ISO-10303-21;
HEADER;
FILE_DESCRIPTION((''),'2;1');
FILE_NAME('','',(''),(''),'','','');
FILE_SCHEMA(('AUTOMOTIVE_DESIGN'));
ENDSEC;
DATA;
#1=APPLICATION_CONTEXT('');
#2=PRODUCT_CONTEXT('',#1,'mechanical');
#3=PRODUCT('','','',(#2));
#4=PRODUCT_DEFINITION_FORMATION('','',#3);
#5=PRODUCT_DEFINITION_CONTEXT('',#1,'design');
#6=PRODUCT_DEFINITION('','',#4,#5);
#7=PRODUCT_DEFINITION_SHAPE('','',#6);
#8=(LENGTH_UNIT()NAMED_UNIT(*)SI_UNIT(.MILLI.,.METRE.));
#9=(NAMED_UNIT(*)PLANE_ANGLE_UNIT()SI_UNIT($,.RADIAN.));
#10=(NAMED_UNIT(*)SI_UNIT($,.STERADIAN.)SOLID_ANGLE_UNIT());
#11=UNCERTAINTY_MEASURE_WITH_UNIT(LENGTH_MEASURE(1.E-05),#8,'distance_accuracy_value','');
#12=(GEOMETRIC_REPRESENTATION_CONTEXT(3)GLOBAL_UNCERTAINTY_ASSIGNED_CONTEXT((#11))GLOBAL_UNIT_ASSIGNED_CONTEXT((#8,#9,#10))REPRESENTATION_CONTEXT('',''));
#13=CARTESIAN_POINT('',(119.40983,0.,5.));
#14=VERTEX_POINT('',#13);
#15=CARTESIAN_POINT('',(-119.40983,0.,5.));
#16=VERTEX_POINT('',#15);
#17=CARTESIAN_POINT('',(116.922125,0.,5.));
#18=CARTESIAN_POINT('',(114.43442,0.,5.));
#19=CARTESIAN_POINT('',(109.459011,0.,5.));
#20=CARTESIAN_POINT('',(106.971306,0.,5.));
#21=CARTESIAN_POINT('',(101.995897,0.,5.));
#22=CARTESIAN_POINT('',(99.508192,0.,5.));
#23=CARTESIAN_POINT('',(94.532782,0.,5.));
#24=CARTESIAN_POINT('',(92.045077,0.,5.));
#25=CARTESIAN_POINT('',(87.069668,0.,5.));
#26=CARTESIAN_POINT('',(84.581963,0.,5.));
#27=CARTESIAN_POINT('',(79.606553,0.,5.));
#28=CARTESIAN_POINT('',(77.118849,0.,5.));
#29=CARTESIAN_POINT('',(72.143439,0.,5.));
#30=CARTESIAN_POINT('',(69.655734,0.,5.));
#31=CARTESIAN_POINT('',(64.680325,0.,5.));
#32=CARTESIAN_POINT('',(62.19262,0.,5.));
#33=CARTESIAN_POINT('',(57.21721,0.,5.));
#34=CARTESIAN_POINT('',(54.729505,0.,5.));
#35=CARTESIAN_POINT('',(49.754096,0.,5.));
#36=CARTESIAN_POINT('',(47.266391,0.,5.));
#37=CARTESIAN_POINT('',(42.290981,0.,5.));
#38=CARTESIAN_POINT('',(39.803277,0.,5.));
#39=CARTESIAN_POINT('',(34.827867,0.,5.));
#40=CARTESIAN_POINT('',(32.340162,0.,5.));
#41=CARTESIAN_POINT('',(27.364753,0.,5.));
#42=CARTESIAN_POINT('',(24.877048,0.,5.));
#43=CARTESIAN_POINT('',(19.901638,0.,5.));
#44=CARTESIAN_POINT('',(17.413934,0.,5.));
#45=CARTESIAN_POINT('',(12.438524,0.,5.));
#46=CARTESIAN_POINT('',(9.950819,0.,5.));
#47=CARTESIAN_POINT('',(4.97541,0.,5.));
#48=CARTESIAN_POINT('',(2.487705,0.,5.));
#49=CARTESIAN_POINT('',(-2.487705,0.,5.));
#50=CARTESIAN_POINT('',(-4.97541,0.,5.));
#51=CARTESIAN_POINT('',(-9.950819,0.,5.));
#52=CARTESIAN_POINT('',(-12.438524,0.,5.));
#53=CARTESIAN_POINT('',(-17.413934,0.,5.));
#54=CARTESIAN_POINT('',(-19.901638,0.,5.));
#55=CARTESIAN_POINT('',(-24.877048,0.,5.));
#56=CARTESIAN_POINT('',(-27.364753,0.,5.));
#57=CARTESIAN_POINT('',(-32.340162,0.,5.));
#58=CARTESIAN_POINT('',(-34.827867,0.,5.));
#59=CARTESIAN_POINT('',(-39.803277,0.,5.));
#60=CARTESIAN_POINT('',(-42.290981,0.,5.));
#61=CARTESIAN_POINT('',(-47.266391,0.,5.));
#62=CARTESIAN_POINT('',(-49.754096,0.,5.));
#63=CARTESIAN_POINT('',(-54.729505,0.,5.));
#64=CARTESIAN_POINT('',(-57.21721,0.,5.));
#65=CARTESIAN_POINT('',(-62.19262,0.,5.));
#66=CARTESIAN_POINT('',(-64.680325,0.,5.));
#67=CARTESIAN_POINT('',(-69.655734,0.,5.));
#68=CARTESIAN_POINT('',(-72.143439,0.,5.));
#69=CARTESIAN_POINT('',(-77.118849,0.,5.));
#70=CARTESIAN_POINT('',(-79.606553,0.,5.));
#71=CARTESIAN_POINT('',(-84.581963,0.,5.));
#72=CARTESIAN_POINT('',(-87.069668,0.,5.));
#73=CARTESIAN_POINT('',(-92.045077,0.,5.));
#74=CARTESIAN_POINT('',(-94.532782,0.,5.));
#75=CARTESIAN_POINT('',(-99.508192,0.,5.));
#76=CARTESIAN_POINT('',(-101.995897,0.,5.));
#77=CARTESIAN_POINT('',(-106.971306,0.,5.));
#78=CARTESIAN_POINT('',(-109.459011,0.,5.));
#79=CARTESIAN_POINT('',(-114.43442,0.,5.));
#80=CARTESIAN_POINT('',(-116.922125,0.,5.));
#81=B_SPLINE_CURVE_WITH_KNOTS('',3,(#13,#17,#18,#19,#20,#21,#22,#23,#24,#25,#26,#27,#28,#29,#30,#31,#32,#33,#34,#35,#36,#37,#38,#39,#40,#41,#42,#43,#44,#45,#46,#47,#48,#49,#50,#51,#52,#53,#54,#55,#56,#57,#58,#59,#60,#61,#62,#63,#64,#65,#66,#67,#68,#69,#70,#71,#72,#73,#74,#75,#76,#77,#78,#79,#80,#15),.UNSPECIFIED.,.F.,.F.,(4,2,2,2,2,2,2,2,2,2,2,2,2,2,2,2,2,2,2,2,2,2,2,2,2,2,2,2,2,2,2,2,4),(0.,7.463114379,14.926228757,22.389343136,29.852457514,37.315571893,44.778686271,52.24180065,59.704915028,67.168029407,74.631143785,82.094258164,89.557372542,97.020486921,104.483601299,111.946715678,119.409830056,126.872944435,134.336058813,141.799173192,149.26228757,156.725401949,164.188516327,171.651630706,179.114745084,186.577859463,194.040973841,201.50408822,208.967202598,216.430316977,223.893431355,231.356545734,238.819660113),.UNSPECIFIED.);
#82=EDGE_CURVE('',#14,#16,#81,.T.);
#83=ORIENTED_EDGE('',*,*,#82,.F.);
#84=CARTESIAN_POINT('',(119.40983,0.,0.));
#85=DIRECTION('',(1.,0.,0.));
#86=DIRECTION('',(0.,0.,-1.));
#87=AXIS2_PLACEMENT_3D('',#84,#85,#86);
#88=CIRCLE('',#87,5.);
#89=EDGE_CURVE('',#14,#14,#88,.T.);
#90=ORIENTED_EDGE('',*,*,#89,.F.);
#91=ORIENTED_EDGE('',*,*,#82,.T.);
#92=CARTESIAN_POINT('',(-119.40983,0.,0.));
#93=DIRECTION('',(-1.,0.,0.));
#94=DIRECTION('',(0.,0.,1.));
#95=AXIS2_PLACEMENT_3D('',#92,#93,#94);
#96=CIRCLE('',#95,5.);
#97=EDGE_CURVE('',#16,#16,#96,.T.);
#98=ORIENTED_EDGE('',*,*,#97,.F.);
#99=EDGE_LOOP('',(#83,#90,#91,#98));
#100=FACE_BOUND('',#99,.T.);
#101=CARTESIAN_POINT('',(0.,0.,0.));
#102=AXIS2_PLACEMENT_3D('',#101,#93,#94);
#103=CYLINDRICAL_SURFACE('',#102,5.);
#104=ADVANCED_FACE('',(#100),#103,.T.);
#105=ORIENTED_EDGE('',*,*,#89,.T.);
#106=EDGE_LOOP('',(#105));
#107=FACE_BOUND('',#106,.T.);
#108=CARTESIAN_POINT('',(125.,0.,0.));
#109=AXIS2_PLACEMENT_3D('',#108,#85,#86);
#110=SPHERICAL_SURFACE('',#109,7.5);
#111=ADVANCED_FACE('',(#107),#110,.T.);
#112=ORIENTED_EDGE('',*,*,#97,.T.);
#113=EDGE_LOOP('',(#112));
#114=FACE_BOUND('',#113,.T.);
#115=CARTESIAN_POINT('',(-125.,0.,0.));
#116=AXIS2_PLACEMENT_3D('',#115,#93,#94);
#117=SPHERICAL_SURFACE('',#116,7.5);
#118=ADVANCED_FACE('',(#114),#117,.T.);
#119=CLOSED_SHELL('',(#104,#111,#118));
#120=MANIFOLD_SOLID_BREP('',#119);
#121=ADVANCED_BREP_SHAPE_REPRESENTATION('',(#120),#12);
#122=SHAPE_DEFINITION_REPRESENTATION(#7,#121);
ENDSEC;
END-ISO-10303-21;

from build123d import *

# Parameters (mm, degrees)
SZKIC1_W = 125
SZKIC1_H = 5


with BuildPart() as part:
    # Szkic1 → Obrót1 (revolve)
    with BuildSketch(Plane.XY, mode=Mode.PRIVATE) as obr_t1_sk:
        with Locations((62.5, 2.5)):
            Rectangle(SZKIC1_W, SZKIC1_H)
    obr_t1 = revolve(obr_t1_sk.sketch.rotate(Axis((0, 0, 0), (1, 0, 0)), 90), axis=Axis((0, 0, 0), (1, 0, 0)))

    # Szkic2 → Obrót3 (revolve)
    with BuildSketch(Plane(origin=(125, 0, 0), x_dir=(0, 0, -1), z_dir=(1, 0, 0))):
        with BuildLine():
            Line((-7.5, 0), (7.5, 0))
            ThreePointArc((7.5, 0), (0, 7.5), (-7.5, 0))
        make_face()
    obr_t3 = revolve(axis=Axis((125, 0, 7.5), (0, 0, -1)))

    # Lustro1: Obrót1, Obrót3 across plane
    add(obr_t1.mirror(Plane(origin=(0, 0, 0), x_dir=(0, 0, 1), z_dir=(1, 0, 0))))
    add(obr_t3.mirror(Plane(origin=(0, 0, 0), x_dir=(0, 0, 1), z_dir=(1, 0, 0))))


solid = part.part
